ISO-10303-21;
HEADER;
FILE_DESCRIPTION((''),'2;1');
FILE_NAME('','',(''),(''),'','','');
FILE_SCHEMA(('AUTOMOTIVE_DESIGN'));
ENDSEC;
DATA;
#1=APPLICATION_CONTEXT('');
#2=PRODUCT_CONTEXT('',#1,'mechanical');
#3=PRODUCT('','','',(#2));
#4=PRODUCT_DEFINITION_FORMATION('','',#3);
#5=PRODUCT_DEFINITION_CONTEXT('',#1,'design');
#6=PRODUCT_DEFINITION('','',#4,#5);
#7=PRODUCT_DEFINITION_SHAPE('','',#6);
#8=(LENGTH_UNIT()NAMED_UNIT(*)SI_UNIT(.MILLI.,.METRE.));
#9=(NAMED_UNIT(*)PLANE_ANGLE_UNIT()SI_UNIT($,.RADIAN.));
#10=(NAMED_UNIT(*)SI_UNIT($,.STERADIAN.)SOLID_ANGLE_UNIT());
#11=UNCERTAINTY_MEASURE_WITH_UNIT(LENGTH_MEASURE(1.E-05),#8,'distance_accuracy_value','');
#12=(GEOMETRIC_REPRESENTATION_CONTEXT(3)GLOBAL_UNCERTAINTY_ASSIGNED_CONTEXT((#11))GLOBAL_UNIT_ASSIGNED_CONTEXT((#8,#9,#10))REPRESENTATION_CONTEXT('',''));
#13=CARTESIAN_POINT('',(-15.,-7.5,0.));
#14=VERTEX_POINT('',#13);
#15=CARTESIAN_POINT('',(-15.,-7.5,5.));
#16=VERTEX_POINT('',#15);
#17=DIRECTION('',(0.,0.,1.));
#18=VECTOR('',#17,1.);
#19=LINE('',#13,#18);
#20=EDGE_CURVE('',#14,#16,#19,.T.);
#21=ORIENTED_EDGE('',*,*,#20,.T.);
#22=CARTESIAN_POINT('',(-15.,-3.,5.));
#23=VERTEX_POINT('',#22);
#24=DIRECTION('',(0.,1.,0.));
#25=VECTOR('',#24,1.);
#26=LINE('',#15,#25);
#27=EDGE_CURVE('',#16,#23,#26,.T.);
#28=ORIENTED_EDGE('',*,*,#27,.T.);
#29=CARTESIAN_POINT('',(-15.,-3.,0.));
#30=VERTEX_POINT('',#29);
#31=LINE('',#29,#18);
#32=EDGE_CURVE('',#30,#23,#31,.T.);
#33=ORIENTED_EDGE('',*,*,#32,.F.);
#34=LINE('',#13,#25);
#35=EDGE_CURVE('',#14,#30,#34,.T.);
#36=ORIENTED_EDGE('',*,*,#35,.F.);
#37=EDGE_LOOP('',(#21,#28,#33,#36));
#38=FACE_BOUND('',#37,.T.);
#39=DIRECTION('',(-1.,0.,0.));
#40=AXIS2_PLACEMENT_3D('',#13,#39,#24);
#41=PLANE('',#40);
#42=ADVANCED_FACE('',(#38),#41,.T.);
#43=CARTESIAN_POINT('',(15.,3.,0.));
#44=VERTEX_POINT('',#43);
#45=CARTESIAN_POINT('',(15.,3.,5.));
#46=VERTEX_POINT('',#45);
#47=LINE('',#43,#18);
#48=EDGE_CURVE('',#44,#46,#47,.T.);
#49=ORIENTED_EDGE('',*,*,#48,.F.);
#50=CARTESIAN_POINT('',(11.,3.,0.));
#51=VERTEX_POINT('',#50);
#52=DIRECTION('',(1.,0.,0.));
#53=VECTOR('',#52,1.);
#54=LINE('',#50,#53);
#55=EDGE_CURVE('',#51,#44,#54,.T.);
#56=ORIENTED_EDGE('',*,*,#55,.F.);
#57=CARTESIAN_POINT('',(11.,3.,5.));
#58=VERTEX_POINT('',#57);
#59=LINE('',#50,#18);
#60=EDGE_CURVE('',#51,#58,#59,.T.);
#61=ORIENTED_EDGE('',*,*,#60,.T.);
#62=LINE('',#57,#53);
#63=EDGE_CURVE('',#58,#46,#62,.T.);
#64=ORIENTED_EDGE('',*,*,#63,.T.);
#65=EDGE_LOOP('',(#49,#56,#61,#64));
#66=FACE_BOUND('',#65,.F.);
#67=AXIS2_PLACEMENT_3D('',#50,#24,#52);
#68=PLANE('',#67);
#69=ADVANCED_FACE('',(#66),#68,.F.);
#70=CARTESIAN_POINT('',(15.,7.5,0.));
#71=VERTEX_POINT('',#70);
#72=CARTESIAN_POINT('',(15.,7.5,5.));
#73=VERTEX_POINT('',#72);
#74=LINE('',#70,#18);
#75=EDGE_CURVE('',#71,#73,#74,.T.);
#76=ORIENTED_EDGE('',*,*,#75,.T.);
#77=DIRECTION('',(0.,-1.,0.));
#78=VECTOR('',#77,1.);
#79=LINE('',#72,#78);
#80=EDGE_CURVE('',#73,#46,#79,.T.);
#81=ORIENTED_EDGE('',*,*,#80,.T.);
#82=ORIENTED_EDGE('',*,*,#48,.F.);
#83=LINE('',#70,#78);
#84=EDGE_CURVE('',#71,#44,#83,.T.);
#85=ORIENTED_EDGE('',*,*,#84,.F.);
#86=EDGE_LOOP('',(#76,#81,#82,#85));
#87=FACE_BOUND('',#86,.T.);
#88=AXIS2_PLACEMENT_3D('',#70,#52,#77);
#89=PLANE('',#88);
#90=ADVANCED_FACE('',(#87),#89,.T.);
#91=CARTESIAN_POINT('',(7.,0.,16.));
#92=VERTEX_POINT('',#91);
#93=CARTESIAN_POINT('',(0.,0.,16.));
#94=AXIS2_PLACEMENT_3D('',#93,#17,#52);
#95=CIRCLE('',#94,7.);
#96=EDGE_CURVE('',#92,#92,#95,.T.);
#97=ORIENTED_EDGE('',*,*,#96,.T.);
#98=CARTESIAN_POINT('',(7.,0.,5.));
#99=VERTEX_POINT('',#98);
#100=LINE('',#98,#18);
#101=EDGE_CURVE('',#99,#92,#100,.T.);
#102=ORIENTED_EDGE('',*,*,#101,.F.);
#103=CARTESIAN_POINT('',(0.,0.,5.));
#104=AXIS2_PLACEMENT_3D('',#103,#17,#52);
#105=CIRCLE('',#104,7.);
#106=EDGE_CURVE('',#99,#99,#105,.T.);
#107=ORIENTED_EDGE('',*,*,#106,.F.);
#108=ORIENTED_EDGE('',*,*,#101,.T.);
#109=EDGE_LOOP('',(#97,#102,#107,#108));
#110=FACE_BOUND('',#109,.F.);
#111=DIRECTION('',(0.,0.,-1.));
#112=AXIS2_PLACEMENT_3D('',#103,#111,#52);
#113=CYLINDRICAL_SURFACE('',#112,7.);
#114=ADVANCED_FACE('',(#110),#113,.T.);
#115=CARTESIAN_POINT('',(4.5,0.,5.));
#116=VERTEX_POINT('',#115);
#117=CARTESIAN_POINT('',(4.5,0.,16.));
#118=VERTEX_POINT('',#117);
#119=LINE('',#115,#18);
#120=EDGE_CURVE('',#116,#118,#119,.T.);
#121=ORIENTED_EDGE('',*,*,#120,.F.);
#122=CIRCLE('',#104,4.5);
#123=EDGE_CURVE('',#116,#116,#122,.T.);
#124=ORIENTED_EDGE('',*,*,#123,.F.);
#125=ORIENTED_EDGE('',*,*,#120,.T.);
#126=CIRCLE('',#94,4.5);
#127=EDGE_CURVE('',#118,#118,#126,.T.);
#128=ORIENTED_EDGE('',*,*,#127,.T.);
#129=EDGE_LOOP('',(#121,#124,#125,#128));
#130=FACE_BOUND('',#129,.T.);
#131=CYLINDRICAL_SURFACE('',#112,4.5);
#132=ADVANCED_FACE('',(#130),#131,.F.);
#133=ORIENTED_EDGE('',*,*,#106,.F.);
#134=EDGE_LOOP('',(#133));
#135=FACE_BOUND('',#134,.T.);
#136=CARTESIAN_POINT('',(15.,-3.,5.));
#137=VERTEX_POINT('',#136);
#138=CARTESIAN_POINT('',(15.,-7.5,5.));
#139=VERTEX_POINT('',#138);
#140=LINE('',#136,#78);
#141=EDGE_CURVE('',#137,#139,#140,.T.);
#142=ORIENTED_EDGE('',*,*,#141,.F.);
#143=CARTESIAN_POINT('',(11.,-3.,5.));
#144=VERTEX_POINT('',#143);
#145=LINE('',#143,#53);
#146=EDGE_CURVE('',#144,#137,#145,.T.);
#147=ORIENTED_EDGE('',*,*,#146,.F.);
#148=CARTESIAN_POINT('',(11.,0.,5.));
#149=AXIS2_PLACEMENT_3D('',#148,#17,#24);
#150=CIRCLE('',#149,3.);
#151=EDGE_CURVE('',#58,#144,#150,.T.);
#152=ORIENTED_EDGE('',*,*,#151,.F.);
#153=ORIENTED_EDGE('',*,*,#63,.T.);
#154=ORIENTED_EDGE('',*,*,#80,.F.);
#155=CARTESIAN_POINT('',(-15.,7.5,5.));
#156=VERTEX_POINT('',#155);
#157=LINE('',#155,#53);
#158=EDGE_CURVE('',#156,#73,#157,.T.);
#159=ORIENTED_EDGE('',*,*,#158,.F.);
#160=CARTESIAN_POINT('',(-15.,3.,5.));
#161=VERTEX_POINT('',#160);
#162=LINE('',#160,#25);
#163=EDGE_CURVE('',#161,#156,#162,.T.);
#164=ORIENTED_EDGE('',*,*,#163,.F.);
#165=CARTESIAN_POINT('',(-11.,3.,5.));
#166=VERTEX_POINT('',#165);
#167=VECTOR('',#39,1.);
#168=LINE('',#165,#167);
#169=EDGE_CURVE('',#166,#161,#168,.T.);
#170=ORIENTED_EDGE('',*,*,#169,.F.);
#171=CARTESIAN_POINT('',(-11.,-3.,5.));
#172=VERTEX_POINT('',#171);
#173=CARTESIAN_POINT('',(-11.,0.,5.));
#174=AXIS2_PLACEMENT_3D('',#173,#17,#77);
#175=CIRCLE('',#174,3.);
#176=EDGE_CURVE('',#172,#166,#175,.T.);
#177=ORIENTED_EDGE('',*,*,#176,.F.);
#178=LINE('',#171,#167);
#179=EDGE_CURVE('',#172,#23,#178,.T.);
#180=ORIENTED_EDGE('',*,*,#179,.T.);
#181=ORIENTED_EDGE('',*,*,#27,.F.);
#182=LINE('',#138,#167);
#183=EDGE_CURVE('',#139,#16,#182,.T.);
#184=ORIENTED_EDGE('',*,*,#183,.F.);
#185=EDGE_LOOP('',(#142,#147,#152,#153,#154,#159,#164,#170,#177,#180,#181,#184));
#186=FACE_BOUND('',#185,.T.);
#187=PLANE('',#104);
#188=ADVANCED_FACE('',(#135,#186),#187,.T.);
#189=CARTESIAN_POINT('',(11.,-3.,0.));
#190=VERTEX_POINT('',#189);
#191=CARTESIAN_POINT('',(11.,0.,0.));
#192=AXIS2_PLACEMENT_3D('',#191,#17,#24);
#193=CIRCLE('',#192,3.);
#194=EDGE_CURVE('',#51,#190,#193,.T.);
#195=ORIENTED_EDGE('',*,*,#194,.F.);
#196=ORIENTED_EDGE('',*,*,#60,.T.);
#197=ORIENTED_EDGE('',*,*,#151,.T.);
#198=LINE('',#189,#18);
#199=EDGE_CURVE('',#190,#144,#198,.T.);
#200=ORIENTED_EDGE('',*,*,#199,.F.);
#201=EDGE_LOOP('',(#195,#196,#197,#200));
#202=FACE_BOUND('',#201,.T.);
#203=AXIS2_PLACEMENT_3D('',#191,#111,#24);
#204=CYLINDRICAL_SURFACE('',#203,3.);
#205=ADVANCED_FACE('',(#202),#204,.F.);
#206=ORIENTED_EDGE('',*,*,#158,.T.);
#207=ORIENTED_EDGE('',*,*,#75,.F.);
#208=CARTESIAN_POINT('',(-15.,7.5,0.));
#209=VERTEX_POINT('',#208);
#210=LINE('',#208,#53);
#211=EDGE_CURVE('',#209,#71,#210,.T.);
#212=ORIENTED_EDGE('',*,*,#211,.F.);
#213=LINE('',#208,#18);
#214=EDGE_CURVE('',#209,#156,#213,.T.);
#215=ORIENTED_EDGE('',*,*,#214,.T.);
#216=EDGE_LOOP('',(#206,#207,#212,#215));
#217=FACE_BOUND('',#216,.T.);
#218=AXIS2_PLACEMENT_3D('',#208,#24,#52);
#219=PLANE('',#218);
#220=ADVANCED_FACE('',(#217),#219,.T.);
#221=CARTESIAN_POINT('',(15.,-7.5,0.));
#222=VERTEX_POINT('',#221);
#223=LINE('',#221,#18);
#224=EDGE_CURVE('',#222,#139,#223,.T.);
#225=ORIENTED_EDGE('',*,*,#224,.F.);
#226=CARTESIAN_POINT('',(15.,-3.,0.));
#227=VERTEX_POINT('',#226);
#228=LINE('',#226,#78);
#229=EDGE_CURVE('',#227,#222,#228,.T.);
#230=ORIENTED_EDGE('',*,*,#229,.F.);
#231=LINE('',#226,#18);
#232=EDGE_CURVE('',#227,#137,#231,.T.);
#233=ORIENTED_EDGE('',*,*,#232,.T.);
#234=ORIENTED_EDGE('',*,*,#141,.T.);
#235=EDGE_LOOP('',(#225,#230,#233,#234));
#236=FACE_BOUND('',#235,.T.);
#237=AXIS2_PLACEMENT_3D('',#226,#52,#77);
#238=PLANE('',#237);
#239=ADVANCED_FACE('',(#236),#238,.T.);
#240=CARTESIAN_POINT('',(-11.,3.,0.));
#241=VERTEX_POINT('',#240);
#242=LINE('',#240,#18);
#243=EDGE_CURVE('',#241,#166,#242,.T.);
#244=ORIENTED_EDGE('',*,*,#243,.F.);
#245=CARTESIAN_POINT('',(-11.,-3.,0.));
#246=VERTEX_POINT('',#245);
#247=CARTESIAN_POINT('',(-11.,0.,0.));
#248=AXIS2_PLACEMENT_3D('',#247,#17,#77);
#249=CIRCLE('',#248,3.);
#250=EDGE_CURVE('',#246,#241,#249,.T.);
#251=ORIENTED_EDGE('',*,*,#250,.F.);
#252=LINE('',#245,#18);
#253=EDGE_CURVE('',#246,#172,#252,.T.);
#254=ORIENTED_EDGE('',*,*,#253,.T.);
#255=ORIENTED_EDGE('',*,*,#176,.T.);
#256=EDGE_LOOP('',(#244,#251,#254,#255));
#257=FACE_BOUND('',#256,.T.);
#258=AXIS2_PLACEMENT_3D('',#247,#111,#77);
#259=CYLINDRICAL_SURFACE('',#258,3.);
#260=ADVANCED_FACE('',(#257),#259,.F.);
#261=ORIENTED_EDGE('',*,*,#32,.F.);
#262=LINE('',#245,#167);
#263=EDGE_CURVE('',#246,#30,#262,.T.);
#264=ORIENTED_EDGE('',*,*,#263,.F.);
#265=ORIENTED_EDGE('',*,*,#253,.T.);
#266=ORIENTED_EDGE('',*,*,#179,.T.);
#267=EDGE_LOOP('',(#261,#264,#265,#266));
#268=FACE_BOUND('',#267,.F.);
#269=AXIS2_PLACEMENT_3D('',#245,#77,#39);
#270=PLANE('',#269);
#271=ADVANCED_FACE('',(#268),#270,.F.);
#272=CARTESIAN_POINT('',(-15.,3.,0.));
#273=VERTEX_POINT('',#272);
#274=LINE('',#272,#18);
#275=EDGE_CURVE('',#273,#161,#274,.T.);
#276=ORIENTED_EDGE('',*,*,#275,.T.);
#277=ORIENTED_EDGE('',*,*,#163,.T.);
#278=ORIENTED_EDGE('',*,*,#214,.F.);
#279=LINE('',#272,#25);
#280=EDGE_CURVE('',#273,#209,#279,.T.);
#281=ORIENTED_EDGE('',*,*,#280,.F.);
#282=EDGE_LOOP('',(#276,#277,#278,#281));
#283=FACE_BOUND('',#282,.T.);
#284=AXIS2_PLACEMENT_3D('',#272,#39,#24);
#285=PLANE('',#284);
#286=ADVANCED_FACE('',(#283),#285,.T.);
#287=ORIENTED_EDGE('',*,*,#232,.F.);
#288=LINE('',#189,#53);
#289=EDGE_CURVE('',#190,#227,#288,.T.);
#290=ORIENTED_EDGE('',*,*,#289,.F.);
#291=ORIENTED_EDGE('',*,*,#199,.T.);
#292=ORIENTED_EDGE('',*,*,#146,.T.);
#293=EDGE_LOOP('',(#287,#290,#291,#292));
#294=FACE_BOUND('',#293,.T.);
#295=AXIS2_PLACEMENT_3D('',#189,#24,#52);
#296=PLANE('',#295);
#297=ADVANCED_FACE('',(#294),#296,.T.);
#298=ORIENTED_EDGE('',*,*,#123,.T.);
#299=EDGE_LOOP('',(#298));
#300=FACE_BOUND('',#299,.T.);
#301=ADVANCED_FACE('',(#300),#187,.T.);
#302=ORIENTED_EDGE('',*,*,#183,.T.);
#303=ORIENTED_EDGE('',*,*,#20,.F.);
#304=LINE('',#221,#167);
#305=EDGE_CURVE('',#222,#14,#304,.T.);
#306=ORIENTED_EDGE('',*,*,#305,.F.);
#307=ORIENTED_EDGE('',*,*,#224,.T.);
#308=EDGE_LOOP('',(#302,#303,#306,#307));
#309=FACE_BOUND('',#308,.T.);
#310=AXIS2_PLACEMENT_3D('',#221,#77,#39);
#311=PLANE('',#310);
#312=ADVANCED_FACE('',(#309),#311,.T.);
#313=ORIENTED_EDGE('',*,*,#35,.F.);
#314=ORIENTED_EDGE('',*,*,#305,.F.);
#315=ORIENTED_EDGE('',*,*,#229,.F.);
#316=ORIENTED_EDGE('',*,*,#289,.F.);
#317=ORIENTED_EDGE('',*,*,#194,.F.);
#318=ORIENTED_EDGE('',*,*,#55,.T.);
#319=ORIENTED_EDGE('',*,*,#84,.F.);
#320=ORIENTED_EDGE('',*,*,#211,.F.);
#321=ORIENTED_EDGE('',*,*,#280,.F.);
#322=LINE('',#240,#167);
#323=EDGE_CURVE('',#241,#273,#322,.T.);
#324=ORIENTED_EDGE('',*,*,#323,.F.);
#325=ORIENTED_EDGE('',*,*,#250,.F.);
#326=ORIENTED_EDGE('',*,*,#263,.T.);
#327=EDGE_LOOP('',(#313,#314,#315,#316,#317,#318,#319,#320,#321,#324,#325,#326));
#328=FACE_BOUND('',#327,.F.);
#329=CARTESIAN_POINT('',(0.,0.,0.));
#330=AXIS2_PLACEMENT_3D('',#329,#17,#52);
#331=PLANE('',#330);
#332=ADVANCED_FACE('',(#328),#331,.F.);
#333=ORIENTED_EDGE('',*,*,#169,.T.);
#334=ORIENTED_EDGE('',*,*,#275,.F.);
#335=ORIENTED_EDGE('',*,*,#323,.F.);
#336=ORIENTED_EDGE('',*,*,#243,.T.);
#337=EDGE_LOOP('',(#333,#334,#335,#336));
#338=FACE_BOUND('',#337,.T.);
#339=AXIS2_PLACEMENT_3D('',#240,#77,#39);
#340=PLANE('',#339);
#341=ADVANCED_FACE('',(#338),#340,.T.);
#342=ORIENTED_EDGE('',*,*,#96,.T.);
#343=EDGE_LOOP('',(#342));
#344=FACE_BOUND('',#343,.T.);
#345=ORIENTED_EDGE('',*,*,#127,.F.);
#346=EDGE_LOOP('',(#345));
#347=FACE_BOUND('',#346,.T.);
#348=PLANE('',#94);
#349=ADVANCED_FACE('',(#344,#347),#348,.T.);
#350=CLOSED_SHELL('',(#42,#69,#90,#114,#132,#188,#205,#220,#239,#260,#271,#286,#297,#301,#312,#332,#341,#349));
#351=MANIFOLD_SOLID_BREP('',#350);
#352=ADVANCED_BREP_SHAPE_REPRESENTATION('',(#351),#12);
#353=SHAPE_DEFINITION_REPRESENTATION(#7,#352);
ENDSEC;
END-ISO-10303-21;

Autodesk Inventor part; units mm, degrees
ref_plane "YZ Plane" through (0, 0, 0) normal (1, 0, 0) x (0, 1, 0)
ref_plane "XZ Plane" through (0, 0, 0) normal (0, 1, 0) x (-1, 0, 0)
ref_plane "XY Plane" through (0, 0, 0) normal (0, 0, 1) x (1, 0, 0)
sketch "草图1" plane through (0, 0, 0) normal (0, 0, 1) x (1, 0, 0)
  line L0 (-15, 7.5) -> (15, 7.5)
  line L1 (15, -7.5) -> (-15, -7.5)
  line L2 (-15, 7.5) -> (15, -7.5) construction
  line L3 (15, 7.5) -> (-15, -7.5) construction
  arc A0 (11, 3) -> (11, -3) centre (11, 0) ccw
  arc A1 (-11, -3) -> (-11, 3) centre (-11, 0) ccw
  line L4 (-11, 3) -> (-15, 3)
  line L5 (-11, -3) -> (-15, -3)
  line L6 (11, 3) -> (15, 3)
  line L7 (11, -3) -> (15, -3)
  line L8 (-15, -7.5) -> (-15, -3)
  line L9 (-15, 3) -> (-15, 7.5)
  line L10 (15, 7.5) -> (15, 3)
  line L11 (15, -3) -> (15, -7.5)
  point P0 (0, 0)
  dimension "d0" = 30
  dimension "d1" = 15
  dimension "d4" = 6
  dimension "d5" = 6
  dimension "d6" = 22
  dimension "d7" = 63.435
  dimension "d8" = 63.435
  dimension "d9" = 4.5
  dimension "d10" = 4
  dimension "d11" = 4
extrude "拉伸1" add sketch "草图1" along normal blind 5
sketch "草图2" plane through (0, 0, 5) normal (0, 0, 1) x (1, 0, 0)
  circle A0 centre (0, 0) radius 4.5
  circle A1 centre (0, 0) radius 7
  dimension "d14" = 9
  dimension "d15" = 14
extrude "拉伸2" add sketch "草图2" along normal blind 11
properties part number "2-3"
